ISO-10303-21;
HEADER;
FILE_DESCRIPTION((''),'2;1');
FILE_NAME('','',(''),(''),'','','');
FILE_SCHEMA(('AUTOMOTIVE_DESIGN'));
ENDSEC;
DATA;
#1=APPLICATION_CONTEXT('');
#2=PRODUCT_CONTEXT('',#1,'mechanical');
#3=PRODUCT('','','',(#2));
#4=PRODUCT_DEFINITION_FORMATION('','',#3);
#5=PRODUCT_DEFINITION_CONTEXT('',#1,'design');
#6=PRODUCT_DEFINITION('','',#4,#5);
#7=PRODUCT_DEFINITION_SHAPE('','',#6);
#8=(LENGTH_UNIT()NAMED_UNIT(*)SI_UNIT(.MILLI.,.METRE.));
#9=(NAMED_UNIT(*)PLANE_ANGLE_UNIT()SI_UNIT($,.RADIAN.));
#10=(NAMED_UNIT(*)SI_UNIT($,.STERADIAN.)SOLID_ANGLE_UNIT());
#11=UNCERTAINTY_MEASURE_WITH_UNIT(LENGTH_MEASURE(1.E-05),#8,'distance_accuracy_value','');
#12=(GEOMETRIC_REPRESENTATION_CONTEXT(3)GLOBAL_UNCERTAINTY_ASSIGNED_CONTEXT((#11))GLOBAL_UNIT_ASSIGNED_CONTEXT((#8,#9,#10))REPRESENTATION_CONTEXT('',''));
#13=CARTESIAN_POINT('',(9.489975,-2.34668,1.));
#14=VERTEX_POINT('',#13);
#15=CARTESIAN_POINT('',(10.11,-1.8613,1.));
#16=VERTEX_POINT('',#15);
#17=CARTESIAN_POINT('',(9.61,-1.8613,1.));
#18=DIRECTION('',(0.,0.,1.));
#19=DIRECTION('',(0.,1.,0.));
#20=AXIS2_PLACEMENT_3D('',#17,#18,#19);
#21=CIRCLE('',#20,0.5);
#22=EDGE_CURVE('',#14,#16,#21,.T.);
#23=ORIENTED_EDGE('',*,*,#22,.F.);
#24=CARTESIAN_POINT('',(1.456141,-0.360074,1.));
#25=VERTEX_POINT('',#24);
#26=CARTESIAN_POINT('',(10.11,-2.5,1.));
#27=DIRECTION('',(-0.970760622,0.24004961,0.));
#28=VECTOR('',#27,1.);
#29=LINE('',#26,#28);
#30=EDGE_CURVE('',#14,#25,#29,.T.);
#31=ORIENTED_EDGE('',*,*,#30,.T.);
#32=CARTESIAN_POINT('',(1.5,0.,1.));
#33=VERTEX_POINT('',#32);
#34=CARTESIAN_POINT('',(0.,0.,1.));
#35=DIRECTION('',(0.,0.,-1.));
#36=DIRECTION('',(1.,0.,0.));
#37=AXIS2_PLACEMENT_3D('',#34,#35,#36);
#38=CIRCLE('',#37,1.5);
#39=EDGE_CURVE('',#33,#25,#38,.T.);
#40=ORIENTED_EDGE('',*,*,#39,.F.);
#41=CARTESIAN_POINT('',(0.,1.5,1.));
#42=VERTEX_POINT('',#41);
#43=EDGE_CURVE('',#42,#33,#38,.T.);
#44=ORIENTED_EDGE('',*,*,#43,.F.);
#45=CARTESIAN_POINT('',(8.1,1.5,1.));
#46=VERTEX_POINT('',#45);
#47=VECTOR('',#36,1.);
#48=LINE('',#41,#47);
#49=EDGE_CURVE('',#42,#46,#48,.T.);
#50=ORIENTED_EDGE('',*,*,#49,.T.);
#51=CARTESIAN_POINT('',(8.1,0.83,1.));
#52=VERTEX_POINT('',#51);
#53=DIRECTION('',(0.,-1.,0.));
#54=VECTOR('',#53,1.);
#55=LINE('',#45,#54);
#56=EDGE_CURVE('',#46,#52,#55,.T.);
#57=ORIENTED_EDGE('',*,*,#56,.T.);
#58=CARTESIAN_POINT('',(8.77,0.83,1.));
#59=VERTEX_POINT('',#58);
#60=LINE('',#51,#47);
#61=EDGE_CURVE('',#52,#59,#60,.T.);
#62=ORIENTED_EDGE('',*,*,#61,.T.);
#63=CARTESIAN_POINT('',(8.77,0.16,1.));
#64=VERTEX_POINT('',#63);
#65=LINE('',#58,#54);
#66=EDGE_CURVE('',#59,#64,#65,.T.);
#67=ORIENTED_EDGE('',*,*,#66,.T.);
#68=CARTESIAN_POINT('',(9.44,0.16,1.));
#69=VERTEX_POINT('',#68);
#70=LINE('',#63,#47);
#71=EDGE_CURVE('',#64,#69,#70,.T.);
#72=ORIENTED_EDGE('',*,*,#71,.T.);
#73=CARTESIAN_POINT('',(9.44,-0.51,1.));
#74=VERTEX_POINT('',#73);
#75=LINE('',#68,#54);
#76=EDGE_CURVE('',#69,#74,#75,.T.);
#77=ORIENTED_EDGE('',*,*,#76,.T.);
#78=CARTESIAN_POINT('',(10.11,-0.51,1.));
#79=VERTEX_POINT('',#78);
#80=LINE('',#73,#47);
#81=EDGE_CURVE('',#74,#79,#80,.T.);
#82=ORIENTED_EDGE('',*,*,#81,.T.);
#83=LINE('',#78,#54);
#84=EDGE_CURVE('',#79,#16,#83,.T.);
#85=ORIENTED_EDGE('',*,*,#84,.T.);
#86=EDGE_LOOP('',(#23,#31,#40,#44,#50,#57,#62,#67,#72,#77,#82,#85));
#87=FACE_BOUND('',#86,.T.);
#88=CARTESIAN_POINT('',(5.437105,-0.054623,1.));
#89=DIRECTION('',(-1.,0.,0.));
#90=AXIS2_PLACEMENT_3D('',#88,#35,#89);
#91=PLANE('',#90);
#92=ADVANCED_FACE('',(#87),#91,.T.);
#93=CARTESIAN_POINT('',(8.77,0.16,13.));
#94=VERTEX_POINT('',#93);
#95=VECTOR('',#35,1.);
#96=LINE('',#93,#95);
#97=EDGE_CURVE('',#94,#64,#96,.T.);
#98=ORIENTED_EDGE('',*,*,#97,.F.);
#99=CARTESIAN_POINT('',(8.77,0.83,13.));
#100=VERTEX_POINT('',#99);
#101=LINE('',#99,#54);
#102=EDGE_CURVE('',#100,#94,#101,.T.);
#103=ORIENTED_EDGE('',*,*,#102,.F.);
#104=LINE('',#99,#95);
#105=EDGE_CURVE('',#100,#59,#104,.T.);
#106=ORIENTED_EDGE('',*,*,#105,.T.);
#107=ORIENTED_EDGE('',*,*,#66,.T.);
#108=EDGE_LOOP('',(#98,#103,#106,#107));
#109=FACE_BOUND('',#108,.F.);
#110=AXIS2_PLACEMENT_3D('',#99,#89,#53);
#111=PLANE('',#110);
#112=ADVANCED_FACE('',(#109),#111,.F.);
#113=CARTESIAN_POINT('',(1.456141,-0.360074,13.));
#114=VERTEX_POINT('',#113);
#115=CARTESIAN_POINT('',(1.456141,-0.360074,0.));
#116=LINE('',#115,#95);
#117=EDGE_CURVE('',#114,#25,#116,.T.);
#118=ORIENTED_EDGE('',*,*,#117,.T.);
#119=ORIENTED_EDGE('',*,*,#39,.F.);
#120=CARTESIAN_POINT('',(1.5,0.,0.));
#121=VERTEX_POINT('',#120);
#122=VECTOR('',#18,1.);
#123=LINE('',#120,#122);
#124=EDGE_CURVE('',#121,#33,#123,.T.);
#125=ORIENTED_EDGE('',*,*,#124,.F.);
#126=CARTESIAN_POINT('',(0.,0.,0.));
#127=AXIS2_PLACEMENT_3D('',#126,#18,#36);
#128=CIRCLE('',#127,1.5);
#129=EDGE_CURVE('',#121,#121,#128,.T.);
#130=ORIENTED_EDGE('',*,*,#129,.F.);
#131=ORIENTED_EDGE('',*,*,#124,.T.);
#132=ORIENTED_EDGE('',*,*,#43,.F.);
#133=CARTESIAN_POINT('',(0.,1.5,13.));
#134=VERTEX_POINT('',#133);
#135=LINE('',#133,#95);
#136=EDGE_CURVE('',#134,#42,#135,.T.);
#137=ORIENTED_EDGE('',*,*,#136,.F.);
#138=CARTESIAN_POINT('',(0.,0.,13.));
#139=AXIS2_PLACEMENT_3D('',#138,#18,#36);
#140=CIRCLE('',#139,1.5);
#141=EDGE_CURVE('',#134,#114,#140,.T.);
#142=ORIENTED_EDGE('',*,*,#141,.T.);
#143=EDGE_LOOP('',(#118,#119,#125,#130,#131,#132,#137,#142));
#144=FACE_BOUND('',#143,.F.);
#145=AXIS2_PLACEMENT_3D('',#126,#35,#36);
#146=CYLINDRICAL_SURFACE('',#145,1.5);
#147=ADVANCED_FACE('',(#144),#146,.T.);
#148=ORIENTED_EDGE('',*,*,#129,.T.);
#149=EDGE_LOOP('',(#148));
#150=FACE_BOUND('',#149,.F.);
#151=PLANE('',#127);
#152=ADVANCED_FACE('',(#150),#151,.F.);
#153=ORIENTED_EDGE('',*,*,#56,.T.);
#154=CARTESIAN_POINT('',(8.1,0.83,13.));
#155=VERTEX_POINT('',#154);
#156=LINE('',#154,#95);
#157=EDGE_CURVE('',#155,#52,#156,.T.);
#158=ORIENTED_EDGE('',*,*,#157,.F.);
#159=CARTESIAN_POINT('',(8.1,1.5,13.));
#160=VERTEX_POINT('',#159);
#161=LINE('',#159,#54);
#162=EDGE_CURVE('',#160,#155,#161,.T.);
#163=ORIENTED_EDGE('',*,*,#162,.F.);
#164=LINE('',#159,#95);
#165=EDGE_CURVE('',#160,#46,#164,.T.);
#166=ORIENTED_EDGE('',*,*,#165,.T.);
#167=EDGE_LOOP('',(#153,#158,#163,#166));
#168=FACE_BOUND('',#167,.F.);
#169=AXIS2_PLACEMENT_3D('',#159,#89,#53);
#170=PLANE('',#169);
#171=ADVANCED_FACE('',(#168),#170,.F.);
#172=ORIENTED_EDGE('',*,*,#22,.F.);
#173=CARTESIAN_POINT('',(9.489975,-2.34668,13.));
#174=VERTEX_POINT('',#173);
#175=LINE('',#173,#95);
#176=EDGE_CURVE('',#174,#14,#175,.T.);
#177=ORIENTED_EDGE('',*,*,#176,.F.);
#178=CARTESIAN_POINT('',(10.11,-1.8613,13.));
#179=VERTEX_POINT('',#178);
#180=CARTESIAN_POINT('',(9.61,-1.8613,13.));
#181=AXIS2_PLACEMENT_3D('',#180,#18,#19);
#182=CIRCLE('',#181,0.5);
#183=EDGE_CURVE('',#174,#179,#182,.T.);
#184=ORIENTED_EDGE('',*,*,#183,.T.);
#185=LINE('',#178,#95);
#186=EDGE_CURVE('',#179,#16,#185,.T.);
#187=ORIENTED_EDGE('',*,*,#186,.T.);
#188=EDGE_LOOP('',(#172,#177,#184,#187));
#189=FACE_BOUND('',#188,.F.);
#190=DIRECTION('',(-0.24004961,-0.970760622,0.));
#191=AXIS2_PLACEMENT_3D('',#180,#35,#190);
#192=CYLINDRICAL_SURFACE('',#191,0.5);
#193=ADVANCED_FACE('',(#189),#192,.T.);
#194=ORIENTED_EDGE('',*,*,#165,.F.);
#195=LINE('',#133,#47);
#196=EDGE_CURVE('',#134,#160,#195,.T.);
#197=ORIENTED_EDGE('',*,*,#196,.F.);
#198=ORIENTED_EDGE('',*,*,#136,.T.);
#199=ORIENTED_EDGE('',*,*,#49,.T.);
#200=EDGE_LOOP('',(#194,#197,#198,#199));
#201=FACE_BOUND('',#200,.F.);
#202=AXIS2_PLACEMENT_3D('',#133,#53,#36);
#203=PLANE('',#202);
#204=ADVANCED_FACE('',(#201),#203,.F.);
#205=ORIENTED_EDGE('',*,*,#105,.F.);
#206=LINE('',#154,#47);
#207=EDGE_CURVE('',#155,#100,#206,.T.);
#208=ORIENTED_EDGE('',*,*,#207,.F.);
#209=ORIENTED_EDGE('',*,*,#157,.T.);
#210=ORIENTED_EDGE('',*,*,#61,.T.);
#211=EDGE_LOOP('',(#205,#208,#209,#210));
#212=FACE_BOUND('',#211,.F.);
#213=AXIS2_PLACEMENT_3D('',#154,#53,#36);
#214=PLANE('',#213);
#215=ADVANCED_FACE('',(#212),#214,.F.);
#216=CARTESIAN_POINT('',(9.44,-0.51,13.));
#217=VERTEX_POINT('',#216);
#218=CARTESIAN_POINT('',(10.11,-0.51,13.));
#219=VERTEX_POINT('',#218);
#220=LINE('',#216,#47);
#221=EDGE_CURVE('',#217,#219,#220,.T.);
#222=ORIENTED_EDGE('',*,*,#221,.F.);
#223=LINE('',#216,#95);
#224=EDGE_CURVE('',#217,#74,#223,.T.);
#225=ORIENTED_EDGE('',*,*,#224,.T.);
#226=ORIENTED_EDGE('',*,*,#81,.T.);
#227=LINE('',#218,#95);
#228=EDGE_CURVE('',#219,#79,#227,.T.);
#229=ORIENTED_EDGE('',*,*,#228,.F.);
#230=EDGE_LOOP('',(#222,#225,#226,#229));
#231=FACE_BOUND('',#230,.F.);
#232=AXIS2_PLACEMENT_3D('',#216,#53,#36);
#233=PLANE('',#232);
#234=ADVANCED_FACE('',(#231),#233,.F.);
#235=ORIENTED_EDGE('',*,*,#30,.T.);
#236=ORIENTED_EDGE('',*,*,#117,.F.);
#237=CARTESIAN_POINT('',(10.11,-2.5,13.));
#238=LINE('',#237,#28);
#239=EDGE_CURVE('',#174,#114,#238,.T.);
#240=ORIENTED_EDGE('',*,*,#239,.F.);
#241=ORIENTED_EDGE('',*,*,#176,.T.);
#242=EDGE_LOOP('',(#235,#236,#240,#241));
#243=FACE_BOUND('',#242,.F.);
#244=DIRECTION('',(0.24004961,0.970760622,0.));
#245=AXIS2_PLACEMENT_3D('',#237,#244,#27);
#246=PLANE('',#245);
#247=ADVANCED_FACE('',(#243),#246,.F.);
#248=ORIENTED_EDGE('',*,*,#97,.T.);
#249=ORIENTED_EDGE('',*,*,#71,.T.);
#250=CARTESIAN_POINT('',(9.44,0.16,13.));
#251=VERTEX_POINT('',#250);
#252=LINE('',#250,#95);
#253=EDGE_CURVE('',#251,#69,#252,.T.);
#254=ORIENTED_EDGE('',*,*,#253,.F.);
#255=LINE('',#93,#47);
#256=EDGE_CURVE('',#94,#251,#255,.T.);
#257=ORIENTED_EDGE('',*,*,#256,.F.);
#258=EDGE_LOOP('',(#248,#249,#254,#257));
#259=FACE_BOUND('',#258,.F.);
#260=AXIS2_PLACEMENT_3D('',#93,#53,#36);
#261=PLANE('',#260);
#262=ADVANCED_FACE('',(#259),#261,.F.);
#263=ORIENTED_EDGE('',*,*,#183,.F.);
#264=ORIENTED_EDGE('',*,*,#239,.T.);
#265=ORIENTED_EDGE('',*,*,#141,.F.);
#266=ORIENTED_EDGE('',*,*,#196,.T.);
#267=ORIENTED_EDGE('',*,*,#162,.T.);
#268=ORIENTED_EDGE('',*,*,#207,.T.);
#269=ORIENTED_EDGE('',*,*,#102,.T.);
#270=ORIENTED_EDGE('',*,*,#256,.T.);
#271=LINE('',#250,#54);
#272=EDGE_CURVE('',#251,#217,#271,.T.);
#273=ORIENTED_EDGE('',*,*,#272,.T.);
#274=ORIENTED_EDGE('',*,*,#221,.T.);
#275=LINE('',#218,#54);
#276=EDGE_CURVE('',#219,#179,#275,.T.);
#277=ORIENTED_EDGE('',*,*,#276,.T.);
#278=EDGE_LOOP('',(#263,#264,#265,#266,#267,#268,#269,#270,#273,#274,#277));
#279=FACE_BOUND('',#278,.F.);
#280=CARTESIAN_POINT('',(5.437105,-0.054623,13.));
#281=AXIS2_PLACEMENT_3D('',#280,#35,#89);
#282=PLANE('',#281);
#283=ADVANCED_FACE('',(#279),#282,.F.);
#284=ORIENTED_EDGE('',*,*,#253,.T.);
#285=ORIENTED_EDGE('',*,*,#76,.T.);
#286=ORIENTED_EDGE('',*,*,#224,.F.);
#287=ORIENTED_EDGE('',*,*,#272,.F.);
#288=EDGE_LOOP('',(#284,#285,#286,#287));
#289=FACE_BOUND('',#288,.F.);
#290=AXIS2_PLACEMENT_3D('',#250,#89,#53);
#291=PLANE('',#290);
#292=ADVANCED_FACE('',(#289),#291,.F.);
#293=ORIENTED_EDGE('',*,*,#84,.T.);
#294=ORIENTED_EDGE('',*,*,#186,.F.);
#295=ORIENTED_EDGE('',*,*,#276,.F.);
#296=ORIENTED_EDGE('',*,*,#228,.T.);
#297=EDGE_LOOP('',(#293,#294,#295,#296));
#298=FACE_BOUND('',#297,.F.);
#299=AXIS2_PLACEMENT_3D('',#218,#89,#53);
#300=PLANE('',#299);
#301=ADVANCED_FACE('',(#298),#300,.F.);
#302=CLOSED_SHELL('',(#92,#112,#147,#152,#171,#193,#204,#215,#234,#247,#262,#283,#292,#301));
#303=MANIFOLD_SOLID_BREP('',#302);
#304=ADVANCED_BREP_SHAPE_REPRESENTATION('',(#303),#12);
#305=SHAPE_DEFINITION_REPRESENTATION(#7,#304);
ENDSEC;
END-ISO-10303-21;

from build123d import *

# Parameters (mm, degrees)
SKETCH_1_R      = 1.5
EXTRUDE_1_DEPTH = 13
EXTRUDE_2_DEPTH = 12
FILLET_1_R      = 0.5


with BuildPart() as part:
    # 草图1 → 凸台-拉伸1 (new body)
    with BuildSketch(Plane.XY):
        Circle(SKETCH_1_R)
    extrude(amount=EXTRUDE_1_DEPTH)

    # 草图2 → 凸台-拉伸2 (add)
    with BuildSketch(Plane.XY.offset(13)):
        Polygon((0, 1.5), (8.1, 1.5), (8.1, 0.83), (8.77, 0.83), (8.77, 0.16), (9.44, 0.16), (9.44, -0.51), (10.11, -0.51), (10.11, -2.5), (0, 0), align=None)
    extrude(amount=-EXTRUDE_2_DEPTH)

    # 圆角1
    fillet_1_edges = [part.edges().sort_by_distance(p)[0] for p in [
        (10.11, -2.5, 7),
    ]]
    fillet(fillet_1_edges, radius=FILLET_1_R)


solid = part.part
